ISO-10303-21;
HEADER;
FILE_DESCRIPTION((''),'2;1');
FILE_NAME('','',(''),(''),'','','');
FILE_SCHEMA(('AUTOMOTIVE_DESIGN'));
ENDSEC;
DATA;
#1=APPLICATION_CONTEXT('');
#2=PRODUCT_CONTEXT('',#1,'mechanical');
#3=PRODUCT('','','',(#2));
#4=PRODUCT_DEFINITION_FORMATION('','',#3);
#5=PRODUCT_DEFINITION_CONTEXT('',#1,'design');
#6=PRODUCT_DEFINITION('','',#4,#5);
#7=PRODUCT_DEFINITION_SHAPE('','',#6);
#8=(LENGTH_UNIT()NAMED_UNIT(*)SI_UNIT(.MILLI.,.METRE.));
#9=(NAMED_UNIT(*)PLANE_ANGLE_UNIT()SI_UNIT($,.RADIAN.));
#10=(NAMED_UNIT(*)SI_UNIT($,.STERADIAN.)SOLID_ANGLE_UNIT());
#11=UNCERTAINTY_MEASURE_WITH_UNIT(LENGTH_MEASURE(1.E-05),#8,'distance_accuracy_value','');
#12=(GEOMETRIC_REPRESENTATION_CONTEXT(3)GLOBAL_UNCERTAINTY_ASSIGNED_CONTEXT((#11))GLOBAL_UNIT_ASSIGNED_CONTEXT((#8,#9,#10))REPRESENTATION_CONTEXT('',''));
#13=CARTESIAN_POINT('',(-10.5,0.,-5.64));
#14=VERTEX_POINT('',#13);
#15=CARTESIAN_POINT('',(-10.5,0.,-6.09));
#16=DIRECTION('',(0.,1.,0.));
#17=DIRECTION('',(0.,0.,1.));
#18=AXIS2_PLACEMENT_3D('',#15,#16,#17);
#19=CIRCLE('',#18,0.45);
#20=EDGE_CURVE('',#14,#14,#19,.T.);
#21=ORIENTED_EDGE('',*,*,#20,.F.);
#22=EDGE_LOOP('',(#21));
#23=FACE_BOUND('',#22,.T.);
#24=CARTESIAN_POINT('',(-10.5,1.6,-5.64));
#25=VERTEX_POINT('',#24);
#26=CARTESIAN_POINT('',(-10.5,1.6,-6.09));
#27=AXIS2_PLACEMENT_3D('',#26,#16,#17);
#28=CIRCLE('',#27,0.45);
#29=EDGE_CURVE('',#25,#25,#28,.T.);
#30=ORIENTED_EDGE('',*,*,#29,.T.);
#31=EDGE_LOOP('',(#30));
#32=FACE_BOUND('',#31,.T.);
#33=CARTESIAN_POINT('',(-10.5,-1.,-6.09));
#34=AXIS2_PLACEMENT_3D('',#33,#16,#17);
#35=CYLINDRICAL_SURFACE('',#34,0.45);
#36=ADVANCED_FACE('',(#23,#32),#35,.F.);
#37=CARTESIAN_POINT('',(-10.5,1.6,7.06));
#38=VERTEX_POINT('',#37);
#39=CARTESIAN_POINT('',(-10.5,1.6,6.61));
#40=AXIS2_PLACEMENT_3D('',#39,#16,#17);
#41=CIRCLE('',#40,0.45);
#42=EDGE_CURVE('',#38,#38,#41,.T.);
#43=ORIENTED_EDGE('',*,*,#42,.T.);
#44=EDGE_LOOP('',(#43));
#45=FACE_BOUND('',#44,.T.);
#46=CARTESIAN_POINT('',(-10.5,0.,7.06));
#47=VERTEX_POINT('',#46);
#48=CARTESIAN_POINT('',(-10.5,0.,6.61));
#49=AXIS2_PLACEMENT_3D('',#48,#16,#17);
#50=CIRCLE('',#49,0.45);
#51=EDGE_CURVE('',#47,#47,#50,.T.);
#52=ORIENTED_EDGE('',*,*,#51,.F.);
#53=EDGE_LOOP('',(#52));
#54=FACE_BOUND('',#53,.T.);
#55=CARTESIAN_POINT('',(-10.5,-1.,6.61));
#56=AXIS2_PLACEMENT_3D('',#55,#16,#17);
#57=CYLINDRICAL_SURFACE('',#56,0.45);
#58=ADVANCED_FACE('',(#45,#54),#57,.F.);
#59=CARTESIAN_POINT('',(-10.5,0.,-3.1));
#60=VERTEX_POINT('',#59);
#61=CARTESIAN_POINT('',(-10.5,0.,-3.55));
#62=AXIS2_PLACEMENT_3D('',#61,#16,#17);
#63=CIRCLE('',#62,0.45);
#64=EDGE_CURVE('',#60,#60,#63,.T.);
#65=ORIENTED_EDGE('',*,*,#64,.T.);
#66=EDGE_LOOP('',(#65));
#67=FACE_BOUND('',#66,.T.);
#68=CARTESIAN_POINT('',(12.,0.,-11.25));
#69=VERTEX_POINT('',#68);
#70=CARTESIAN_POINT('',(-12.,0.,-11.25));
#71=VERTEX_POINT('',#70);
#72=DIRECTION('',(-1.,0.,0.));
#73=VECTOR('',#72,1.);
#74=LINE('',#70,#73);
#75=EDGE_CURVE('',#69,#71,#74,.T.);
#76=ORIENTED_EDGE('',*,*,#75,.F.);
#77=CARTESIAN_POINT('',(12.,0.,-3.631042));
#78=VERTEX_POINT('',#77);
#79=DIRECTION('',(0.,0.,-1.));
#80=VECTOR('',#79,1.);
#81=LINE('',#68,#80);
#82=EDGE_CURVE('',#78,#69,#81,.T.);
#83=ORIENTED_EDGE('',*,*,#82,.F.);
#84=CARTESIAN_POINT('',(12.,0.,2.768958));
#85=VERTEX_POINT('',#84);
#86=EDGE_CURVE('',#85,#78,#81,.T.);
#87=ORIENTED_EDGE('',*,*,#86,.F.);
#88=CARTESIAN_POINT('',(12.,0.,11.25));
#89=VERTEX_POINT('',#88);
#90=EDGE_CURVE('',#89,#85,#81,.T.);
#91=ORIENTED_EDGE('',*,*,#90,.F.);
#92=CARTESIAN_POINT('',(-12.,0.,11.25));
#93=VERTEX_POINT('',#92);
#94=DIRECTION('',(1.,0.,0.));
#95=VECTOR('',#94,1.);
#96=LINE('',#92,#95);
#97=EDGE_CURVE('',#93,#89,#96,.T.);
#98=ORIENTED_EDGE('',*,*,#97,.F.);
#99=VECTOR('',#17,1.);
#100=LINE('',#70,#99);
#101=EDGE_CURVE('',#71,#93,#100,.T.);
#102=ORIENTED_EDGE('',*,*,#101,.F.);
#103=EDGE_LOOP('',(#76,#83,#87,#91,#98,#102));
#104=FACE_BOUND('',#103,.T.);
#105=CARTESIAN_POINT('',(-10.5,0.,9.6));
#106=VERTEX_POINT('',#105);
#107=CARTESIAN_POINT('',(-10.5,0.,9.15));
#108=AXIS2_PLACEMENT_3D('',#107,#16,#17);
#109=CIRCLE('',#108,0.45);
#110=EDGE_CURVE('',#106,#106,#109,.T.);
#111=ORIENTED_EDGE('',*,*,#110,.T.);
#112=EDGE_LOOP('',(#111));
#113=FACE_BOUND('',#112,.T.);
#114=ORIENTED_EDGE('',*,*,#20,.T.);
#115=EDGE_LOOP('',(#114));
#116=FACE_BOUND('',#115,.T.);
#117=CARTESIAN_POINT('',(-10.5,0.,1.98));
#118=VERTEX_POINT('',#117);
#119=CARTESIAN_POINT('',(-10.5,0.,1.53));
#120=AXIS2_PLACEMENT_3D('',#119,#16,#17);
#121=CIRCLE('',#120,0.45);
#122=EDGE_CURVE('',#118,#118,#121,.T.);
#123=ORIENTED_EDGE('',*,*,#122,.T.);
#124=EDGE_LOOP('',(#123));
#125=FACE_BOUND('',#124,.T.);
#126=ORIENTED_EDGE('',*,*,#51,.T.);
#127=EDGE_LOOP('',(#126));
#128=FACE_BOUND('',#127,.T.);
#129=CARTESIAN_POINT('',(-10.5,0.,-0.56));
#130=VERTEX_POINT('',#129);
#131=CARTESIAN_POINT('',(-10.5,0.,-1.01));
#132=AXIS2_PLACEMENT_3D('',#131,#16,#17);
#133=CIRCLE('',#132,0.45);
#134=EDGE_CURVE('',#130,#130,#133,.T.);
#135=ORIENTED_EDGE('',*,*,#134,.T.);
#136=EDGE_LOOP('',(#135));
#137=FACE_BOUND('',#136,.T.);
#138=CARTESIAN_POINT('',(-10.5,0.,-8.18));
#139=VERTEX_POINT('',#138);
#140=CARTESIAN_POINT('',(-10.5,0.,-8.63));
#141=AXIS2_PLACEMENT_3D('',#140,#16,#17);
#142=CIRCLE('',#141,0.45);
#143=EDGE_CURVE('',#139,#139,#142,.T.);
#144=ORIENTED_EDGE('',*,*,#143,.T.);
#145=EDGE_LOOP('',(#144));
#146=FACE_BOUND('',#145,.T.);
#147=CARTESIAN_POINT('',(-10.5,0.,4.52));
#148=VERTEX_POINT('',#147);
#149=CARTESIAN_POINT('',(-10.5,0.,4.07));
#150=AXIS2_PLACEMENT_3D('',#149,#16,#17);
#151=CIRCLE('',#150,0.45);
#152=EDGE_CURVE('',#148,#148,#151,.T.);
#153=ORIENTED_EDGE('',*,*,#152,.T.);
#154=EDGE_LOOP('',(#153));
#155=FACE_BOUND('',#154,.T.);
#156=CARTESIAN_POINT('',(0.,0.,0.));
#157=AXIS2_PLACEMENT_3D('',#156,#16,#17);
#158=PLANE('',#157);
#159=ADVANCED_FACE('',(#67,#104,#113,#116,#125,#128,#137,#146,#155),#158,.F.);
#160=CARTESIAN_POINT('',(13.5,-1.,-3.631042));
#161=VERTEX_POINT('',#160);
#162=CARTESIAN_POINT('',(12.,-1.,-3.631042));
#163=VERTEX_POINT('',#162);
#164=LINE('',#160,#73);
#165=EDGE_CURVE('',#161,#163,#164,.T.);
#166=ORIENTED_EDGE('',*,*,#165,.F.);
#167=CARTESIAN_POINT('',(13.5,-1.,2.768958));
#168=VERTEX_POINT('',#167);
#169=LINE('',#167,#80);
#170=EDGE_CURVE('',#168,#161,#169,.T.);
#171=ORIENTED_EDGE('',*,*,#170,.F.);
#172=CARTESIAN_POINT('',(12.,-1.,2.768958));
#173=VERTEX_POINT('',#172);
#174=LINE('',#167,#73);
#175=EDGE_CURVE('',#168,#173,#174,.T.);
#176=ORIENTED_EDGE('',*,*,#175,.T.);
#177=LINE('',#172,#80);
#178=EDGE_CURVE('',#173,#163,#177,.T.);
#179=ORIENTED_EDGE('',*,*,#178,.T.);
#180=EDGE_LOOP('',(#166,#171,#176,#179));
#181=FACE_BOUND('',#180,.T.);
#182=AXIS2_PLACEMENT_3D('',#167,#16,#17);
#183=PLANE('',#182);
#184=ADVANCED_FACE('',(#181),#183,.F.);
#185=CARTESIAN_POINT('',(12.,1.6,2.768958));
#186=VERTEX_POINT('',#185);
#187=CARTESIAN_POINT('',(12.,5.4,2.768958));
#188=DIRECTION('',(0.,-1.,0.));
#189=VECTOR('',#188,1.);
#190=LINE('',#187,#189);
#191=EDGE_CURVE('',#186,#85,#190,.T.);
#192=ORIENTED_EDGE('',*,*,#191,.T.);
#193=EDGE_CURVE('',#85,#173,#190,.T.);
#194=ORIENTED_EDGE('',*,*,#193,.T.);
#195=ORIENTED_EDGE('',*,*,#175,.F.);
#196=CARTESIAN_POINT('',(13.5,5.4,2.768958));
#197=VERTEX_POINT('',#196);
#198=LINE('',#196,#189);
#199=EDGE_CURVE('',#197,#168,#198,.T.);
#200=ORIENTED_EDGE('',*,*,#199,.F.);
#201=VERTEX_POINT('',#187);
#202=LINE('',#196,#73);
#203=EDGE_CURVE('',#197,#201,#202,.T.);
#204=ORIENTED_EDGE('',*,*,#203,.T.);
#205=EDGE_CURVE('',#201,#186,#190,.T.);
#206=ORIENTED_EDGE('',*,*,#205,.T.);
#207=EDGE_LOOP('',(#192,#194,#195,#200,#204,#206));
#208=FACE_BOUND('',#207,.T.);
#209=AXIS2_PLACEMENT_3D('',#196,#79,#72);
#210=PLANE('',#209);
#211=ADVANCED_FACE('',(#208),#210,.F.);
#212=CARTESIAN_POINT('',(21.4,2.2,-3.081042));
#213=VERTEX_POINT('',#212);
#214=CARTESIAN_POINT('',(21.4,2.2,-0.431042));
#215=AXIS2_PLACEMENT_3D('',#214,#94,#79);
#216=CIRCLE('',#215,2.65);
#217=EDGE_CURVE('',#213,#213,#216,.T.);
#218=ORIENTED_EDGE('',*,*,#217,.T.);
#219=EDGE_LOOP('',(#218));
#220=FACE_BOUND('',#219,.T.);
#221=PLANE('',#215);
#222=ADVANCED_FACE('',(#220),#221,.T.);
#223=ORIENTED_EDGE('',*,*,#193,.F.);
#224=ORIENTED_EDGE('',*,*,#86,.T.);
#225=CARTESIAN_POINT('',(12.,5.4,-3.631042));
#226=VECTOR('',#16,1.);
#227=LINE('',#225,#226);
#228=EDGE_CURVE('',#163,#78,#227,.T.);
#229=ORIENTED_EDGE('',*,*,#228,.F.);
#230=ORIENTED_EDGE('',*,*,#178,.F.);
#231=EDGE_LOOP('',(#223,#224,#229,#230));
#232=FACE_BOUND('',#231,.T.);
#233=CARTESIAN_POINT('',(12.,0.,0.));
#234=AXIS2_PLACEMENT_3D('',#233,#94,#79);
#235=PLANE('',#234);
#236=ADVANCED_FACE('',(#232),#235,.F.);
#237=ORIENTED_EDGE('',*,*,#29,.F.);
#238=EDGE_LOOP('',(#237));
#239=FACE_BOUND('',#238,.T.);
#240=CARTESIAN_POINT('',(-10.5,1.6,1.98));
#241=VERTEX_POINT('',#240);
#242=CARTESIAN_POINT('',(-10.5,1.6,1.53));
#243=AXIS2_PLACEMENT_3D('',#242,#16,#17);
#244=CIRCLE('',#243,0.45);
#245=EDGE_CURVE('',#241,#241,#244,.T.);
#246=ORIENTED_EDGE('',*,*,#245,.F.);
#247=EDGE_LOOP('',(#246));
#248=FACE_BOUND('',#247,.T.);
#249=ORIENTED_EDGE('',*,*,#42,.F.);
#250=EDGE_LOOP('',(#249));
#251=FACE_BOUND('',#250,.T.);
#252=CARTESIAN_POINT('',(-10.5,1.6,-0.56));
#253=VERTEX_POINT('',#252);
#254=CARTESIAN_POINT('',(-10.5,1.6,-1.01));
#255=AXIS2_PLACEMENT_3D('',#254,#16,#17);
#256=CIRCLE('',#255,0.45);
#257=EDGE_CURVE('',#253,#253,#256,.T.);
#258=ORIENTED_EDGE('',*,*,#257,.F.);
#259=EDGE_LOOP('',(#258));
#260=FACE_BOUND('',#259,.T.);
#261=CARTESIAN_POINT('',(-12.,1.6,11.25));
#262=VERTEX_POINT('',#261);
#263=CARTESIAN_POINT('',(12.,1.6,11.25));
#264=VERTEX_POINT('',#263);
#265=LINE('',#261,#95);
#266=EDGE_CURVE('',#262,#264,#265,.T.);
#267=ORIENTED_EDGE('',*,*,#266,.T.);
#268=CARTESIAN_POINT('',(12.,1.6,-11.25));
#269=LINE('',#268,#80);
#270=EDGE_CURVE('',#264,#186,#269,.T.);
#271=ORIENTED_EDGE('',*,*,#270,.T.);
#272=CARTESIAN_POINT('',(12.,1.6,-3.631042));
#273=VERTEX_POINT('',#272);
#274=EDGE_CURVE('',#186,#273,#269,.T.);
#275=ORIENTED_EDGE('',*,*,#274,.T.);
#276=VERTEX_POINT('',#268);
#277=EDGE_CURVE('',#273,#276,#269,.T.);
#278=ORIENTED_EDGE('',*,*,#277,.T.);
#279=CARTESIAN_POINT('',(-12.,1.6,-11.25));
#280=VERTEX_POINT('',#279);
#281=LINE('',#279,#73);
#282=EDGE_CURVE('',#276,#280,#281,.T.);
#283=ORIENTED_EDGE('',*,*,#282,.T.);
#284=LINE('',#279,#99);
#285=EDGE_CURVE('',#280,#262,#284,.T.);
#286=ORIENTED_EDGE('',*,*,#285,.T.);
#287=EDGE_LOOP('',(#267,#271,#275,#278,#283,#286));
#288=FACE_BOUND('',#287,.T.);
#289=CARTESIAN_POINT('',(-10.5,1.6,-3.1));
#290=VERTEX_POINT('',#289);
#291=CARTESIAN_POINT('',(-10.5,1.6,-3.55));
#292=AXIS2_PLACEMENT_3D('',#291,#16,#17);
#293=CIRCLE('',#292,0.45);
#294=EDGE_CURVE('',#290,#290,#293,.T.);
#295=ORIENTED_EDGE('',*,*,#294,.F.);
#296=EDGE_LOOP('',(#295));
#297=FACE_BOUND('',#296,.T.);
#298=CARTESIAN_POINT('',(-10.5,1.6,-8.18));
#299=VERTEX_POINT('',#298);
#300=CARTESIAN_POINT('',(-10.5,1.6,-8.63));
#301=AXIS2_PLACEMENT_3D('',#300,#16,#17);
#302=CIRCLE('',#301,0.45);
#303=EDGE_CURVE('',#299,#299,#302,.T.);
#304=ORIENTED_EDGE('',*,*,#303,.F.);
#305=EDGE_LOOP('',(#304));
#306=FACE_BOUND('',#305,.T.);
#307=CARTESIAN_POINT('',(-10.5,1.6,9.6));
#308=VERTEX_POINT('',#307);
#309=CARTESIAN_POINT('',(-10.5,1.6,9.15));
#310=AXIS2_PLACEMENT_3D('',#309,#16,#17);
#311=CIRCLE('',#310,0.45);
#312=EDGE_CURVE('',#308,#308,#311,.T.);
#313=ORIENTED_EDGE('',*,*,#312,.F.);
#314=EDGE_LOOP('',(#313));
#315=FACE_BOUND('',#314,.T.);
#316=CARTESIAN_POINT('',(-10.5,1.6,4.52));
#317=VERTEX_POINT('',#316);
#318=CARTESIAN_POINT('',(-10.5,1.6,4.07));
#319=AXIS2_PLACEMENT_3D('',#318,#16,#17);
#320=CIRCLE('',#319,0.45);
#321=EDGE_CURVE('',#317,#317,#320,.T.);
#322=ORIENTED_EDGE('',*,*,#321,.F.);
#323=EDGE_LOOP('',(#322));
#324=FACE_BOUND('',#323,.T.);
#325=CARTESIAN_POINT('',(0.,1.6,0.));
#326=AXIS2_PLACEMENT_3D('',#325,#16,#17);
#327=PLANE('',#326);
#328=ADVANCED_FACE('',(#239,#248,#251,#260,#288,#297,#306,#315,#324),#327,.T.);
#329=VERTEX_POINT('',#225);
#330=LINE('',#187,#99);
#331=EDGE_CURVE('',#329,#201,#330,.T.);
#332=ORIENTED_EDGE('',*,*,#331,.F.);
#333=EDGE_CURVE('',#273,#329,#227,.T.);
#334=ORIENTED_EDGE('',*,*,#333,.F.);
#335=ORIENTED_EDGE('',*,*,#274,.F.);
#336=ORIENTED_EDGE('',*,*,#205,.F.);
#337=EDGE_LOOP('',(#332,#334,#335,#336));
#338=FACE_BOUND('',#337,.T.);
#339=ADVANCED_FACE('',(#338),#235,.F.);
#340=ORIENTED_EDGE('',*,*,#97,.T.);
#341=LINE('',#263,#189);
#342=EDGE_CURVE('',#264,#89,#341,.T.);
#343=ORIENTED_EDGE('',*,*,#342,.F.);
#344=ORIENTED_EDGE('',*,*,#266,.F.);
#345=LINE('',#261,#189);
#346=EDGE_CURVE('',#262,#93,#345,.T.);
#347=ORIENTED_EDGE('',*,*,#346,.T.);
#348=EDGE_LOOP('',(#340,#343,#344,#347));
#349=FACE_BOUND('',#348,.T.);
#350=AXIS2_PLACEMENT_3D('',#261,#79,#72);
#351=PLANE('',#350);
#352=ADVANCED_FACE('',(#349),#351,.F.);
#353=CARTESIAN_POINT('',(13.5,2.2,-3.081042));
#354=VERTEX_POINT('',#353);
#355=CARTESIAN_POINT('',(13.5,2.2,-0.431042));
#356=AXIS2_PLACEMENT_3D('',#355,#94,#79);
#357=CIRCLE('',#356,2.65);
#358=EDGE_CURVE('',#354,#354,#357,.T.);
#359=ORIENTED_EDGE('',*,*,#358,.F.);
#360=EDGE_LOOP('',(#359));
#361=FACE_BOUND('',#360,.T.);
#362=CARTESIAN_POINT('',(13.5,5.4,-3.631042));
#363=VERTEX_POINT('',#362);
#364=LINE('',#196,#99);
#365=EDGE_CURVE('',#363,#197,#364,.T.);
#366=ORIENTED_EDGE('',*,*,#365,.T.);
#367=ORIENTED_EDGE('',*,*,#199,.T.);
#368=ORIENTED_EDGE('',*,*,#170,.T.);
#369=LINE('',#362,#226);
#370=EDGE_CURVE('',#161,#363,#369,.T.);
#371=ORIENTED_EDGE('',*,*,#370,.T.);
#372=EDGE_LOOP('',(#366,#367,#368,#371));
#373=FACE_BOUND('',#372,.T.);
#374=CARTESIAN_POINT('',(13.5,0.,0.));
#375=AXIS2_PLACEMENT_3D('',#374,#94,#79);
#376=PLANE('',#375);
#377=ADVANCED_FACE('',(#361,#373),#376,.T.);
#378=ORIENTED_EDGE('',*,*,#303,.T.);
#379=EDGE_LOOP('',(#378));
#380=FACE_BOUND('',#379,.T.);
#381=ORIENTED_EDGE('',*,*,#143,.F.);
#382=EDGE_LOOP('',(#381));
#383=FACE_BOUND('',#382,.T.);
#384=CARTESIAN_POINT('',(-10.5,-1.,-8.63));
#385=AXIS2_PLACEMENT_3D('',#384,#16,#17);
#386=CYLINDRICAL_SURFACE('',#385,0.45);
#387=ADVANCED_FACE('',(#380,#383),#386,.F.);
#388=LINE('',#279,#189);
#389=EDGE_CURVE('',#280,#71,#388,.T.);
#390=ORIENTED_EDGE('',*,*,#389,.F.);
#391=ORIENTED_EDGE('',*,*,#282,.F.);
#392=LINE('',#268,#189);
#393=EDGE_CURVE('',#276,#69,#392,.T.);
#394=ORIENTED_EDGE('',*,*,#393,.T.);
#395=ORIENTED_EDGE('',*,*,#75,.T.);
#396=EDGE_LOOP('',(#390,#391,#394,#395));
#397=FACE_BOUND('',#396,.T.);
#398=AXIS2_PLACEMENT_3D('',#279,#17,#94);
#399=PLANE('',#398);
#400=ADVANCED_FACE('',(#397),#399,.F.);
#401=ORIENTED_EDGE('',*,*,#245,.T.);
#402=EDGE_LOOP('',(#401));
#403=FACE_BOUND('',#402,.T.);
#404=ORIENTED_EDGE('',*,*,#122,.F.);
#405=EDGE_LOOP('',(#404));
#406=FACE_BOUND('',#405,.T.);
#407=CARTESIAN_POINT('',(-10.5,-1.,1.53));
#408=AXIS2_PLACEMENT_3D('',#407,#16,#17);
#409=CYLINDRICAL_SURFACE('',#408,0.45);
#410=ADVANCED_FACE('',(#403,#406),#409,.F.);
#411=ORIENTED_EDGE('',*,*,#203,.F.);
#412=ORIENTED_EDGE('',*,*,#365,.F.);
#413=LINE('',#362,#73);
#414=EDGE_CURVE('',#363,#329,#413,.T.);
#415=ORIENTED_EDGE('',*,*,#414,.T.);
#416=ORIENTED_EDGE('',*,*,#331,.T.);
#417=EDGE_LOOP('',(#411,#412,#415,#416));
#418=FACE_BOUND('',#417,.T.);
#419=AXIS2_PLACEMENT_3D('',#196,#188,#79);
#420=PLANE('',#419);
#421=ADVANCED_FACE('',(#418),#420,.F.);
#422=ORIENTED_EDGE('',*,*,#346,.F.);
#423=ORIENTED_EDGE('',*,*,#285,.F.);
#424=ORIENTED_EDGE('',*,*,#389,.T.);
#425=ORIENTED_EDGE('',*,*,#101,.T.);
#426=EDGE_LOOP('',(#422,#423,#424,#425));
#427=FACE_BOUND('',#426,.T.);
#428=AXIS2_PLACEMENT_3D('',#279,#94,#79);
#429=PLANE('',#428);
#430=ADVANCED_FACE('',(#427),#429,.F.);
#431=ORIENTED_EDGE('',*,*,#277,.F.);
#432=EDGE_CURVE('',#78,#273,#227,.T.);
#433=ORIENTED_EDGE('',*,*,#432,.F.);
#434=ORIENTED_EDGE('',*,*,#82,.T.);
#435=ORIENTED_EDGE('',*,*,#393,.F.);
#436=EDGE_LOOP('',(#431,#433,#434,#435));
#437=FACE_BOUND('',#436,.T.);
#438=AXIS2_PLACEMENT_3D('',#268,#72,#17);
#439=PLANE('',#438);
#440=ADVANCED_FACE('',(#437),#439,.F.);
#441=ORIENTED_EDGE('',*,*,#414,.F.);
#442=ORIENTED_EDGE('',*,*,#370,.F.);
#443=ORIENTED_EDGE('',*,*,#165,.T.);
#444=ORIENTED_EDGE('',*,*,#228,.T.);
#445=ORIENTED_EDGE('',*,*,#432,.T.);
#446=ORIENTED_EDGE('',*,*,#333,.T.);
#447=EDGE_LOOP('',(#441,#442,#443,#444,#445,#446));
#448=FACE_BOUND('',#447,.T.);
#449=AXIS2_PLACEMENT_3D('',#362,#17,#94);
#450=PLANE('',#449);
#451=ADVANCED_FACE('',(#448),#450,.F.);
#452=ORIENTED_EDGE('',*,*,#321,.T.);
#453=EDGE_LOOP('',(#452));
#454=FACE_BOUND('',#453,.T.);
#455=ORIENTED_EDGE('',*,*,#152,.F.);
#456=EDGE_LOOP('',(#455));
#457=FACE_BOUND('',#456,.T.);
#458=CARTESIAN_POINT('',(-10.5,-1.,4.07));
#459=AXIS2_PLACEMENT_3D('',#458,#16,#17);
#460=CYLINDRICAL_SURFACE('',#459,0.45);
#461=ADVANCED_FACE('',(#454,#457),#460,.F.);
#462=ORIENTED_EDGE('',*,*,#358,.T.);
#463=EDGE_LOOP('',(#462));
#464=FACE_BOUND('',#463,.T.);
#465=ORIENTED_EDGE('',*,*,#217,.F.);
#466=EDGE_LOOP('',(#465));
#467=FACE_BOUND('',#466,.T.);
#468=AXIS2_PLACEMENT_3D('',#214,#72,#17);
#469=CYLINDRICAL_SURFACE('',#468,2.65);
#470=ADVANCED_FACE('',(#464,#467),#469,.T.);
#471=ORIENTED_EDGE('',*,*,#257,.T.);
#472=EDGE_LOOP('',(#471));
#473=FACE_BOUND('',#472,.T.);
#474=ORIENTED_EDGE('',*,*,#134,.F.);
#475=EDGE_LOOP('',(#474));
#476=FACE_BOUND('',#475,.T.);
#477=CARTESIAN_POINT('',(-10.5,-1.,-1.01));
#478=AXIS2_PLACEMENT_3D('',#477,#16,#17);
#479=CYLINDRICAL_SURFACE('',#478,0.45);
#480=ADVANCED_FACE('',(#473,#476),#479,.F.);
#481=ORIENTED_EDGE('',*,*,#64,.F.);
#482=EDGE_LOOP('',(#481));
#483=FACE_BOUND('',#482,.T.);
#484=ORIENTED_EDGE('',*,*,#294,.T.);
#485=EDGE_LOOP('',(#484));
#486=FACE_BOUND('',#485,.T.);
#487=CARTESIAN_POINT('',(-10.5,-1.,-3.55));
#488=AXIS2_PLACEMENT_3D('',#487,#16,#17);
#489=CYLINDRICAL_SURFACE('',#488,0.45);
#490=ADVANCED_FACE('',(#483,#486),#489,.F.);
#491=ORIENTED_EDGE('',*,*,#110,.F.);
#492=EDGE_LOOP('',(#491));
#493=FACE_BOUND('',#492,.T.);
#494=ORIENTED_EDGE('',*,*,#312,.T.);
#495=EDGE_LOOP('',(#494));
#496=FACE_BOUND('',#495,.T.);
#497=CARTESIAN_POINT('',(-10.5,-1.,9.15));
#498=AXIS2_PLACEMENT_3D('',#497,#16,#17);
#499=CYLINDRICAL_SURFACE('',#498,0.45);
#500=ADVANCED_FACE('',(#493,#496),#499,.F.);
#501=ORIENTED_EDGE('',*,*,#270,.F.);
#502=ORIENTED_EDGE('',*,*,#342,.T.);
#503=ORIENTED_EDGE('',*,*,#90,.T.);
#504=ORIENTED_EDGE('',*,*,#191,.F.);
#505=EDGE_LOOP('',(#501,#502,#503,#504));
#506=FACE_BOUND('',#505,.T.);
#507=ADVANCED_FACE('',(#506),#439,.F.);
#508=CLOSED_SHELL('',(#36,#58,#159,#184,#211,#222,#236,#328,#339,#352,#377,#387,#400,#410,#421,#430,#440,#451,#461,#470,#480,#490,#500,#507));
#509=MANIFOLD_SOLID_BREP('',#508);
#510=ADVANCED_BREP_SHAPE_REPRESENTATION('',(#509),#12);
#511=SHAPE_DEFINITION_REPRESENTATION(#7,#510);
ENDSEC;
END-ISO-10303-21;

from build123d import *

# Parameters (mm, degrees)
SKETCH1_W           = 24
SKETCH1_H           = 22.5
BOSS_EXTRUDE1_DEPTH = 1.6
SKETCH2_W           = 6.4
SKETCH2_H           = 6.4
BOSS_EXTRUDE2_DEPTH = 1.5
SKETCH3_R           = 2.65
BOSS_EXTRUDE3_DEPTH = 7.9
SKETCH4_R           = 0.45
CUT_EXTRUDE1_DEPTH  = 3.6
LPATTERN1_COUNT     = 8
LPATTERN1_PITCH     = 2.54


with BuildPart() as part:
    # Sketch1 → Boss-Extrude1 (new body)
    with BuildSketch(Plane(origin=(0, 0, 0), x_dir=(1, 0, 0), z_dir=(0, 1, 0))):
        Rectangle(SKETCH1_W, SKETCH1_H)
    extrude(amount=BOSS_EXTRUDE1_DEPTH)

    # Sketch2 → Boss-Extrude2 (add)
    with BuildSketch(Plane(origin=(12, 0, 0), x_dir=(0, 0, -1), z_dir=(1, 0, 0))):
        with Locations((0.431041527, 2.2)):
            Rectangle(SKETCH2_W, SKETCH2_H)
    extrude(amount=BOSS_EXTRUDE2_DEPTH)

    # Sketch3 → Boss-Extrude3 (add)
    with BuildSketch(Plane(origin=(13.5, 0, 0), x_dir=(0, 0, -1), z_dir=(1, 0, 0))):
        with Locations((0.431041527, 2.2)):
            Circle(SKETCH3_R)
    extrude(amount=BOSS_EXTRUDE3_DEPTH)

    # Sketch4 → Cut-Extrude1 (cut, through all)
    with BuildSketch(Plane(origin=(0, 1.6, 0), x_dir=(1, 0, 0), z_dir=(0, 1, 0))):
        with Locations((-10.5, -9.15)):
            Circle(SKETCH4_R)
    cut_extrude1 = extrude(amount=-CUT_EXTRUDE1_DEPTH, mode=Mode.SUBTRACT)

    # LPattern1: Cut-Extrude1 ×8
    with Locations(*[(0, 0, -i * LPATTERN1_PITCH) for i in range(1, LPATTERN1_COUNT)]):
        add(cut_extrude1, mode=Mode.SUBTRACT)


solid = part.part
